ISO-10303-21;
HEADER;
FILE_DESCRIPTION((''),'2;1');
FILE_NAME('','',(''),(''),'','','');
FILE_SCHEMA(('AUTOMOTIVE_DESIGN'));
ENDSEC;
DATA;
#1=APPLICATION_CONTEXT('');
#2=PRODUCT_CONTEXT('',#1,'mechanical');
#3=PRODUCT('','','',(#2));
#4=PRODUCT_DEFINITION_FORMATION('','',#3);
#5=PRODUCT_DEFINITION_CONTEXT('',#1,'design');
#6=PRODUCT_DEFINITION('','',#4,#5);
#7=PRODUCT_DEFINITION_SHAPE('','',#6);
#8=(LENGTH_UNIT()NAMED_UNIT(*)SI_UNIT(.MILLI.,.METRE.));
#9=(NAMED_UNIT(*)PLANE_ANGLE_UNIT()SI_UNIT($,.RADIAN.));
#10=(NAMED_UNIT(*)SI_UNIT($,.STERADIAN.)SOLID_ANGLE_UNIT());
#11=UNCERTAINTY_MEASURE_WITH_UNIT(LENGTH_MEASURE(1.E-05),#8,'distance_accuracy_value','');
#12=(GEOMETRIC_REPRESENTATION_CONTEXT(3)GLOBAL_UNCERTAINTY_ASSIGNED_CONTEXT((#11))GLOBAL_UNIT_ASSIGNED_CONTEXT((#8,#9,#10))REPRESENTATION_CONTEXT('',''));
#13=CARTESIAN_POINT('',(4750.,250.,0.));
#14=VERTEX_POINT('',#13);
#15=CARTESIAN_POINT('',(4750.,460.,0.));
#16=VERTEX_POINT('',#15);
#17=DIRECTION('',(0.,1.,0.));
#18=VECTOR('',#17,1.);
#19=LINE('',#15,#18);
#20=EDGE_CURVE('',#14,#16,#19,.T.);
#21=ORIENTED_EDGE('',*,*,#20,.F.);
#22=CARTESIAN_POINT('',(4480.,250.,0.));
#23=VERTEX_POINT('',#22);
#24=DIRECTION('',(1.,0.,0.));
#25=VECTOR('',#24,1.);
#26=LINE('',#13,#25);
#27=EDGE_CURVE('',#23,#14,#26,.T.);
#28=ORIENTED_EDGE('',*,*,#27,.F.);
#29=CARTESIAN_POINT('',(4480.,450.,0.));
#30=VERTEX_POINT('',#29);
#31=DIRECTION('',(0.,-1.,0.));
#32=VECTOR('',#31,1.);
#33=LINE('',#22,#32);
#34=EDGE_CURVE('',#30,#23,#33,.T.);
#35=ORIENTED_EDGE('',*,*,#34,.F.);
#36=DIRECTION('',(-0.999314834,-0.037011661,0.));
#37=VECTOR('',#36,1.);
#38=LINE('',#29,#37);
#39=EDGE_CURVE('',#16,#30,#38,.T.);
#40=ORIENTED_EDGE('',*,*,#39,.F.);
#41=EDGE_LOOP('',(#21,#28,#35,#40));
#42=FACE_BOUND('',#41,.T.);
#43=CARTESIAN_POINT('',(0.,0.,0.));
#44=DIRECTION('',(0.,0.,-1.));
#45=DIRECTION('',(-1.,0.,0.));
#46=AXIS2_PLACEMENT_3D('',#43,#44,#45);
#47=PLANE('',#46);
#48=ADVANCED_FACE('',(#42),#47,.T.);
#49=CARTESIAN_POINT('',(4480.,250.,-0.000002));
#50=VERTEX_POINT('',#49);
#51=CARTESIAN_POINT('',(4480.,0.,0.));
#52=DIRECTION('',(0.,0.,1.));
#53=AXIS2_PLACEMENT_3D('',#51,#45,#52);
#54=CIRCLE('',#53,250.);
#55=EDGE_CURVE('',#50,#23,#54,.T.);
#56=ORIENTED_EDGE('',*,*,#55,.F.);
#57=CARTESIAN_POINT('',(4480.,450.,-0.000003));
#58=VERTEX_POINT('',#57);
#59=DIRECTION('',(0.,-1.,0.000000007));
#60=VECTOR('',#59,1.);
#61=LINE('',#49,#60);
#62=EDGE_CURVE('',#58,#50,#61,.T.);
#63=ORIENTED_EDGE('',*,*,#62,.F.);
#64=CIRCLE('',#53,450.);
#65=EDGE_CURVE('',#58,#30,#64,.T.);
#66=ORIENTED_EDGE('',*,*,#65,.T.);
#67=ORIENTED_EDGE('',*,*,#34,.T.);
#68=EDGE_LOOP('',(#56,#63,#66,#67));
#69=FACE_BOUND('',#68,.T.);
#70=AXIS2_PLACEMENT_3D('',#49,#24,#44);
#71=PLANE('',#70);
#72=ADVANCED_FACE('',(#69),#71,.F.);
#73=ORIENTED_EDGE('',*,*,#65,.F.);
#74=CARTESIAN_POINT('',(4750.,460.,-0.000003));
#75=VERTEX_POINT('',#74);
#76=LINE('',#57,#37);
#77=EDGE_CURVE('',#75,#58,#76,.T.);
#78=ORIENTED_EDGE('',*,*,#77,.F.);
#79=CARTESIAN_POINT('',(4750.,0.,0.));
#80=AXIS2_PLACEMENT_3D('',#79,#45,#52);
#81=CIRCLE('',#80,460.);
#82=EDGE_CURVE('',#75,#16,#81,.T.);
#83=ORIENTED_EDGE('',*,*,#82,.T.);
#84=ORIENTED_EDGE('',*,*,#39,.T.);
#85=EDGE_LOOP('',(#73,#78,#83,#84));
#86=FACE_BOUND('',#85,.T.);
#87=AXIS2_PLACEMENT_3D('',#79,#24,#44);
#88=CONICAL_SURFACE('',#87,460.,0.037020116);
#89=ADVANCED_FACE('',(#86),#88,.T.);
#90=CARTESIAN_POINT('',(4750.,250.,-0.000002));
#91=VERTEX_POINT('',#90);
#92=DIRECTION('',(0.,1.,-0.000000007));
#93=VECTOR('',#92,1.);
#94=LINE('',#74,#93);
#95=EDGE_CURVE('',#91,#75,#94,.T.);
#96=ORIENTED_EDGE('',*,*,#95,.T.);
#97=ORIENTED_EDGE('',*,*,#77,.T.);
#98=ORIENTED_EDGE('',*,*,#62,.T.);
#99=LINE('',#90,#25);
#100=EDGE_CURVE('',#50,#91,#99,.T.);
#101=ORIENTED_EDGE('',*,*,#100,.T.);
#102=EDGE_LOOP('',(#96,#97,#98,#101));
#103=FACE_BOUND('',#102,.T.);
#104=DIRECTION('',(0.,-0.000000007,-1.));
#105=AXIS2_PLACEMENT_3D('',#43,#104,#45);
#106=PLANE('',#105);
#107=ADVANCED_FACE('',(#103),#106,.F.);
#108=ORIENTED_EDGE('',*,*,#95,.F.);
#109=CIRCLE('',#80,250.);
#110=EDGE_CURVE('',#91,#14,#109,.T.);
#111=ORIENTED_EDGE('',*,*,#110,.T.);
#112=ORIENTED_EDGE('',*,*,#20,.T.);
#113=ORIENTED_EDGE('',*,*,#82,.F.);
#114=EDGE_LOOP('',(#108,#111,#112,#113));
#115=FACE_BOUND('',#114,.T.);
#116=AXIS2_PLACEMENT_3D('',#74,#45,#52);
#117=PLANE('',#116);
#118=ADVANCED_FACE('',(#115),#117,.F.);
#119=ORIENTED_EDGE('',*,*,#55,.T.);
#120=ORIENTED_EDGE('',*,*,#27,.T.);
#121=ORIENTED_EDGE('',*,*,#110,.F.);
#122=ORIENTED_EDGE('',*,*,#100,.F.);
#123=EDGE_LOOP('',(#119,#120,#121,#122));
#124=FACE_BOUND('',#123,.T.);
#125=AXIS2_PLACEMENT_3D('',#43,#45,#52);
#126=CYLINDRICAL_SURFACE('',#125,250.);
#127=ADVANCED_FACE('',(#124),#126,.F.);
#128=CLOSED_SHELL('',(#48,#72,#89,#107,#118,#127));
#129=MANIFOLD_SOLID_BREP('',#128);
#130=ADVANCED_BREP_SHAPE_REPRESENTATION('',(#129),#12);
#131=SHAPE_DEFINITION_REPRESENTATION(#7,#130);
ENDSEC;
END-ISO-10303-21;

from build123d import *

# Parameters (mm, degrees)
REVOLVE1_ANGLE = 359.999999589


with BuildPart() as part:
    # Sketch1 → Revolve1 (revolve)
    with BuildSketch(Plane.XY):
        Polygon((4480, 250), (4480, 450), (4750, 460), (4750, 250), align=None)
    revolve(axis=Axis((0, 0, 0), (1, 0, 0)), revolution_arc=REVOLVE1_ANGLE)


solid = part.part
